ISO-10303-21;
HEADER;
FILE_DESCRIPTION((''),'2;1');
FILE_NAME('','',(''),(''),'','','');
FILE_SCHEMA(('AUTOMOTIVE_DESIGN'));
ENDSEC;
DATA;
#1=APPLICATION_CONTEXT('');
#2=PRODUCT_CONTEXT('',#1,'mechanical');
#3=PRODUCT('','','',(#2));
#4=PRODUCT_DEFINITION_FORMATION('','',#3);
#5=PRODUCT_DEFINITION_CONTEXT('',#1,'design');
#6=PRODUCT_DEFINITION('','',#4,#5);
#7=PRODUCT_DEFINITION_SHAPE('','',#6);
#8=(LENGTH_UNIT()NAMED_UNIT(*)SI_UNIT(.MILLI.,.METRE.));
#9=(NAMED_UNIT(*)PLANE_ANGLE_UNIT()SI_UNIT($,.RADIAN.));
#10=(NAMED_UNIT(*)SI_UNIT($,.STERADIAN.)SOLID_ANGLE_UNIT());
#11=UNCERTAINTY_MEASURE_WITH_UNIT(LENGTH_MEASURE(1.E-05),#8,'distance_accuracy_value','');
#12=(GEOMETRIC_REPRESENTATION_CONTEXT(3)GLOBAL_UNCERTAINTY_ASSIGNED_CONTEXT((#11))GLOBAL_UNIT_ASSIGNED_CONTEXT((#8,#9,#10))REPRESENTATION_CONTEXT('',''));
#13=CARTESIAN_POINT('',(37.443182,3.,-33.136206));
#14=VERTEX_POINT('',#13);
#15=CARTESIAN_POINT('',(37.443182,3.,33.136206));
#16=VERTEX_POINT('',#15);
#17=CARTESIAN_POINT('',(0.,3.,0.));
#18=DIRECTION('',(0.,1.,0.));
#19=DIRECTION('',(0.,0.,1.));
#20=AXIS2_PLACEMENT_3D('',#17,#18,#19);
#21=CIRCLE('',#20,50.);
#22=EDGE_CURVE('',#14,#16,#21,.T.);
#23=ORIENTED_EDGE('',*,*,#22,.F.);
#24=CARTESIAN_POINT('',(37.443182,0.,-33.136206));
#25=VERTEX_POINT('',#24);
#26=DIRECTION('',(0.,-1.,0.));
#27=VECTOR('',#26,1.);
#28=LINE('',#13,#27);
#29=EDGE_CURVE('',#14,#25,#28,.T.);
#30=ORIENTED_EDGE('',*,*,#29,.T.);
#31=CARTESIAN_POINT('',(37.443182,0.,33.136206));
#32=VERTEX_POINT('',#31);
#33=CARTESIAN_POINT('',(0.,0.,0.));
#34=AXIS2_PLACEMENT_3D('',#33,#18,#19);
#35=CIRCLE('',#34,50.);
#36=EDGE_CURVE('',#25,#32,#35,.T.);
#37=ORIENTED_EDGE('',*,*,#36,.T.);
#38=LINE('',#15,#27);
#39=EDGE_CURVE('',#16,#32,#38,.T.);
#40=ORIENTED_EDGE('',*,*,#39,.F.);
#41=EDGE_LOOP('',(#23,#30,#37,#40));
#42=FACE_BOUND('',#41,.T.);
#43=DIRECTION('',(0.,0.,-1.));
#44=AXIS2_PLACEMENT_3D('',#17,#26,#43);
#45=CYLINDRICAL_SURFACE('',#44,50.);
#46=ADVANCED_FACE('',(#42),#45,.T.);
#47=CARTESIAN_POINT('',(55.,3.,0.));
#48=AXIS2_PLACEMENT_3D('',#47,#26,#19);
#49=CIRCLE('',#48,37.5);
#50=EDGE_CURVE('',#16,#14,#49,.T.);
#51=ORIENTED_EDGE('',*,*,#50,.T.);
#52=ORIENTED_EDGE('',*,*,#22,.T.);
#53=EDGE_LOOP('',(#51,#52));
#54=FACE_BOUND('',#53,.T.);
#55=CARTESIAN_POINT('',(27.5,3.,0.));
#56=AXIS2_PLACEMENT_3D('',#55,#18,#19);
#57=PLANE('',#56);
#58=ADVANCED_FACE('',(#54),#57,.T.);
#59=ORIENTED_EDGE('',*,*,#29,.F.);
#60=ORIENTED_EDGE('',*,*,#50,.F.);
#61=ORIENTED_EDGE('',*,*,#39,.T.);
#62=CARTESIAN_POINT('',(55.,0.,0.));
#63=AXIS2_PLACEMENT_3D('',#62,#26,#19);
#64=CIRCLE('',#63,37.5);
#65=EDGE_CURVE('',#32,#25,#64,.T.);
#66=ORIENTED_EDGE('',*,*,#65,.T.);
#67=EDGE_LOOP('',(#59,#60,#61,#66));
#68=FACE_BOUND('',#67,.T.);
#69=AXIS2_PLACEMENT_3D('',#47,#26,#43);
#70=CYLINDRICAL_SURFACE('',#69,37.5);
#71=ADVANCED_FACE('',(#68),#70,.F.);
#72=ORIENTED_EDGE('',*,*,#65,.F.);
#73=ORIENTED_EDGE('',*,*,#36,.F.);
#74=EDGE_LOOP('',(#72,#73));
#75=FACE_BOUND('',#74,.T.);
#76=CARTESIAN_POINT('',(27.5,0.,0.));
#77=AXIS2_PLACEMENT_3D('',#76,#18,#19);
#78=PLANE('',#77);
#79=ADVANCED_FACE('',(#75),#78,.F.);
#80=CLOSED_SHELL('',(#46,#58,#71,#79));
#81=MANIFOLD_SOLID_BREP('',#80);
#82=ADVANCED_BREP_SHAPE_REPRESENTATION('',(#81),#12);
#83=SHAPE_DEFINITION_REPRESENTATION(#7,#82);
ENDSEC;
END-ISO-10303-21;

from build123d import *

# Parameters (mm, degrees)
BOSS_EXTRUDE1_DEPTH = 3


with BuildPart() as part:
    # Sketch1 → Boss-Extrude1 (new body)
    with BuildSketch(Plane(origin=(0, 0, 0), x_dir=(1, 0, 0), z_dir=(0, 1, 0))):
        with BuildLine():
            ThreePointArc((37.443181818, 33.136205808), (-50, 0), (37.443181818, -33.136205808))
            ThreePointArc((37.443181818, -33.136205808), (17.5, 0), (37.443181818, 33.136205808))
        make_face()
    extrude(amount=BOSS_EXTRUDE1_DEPTH)


solid = part.part
